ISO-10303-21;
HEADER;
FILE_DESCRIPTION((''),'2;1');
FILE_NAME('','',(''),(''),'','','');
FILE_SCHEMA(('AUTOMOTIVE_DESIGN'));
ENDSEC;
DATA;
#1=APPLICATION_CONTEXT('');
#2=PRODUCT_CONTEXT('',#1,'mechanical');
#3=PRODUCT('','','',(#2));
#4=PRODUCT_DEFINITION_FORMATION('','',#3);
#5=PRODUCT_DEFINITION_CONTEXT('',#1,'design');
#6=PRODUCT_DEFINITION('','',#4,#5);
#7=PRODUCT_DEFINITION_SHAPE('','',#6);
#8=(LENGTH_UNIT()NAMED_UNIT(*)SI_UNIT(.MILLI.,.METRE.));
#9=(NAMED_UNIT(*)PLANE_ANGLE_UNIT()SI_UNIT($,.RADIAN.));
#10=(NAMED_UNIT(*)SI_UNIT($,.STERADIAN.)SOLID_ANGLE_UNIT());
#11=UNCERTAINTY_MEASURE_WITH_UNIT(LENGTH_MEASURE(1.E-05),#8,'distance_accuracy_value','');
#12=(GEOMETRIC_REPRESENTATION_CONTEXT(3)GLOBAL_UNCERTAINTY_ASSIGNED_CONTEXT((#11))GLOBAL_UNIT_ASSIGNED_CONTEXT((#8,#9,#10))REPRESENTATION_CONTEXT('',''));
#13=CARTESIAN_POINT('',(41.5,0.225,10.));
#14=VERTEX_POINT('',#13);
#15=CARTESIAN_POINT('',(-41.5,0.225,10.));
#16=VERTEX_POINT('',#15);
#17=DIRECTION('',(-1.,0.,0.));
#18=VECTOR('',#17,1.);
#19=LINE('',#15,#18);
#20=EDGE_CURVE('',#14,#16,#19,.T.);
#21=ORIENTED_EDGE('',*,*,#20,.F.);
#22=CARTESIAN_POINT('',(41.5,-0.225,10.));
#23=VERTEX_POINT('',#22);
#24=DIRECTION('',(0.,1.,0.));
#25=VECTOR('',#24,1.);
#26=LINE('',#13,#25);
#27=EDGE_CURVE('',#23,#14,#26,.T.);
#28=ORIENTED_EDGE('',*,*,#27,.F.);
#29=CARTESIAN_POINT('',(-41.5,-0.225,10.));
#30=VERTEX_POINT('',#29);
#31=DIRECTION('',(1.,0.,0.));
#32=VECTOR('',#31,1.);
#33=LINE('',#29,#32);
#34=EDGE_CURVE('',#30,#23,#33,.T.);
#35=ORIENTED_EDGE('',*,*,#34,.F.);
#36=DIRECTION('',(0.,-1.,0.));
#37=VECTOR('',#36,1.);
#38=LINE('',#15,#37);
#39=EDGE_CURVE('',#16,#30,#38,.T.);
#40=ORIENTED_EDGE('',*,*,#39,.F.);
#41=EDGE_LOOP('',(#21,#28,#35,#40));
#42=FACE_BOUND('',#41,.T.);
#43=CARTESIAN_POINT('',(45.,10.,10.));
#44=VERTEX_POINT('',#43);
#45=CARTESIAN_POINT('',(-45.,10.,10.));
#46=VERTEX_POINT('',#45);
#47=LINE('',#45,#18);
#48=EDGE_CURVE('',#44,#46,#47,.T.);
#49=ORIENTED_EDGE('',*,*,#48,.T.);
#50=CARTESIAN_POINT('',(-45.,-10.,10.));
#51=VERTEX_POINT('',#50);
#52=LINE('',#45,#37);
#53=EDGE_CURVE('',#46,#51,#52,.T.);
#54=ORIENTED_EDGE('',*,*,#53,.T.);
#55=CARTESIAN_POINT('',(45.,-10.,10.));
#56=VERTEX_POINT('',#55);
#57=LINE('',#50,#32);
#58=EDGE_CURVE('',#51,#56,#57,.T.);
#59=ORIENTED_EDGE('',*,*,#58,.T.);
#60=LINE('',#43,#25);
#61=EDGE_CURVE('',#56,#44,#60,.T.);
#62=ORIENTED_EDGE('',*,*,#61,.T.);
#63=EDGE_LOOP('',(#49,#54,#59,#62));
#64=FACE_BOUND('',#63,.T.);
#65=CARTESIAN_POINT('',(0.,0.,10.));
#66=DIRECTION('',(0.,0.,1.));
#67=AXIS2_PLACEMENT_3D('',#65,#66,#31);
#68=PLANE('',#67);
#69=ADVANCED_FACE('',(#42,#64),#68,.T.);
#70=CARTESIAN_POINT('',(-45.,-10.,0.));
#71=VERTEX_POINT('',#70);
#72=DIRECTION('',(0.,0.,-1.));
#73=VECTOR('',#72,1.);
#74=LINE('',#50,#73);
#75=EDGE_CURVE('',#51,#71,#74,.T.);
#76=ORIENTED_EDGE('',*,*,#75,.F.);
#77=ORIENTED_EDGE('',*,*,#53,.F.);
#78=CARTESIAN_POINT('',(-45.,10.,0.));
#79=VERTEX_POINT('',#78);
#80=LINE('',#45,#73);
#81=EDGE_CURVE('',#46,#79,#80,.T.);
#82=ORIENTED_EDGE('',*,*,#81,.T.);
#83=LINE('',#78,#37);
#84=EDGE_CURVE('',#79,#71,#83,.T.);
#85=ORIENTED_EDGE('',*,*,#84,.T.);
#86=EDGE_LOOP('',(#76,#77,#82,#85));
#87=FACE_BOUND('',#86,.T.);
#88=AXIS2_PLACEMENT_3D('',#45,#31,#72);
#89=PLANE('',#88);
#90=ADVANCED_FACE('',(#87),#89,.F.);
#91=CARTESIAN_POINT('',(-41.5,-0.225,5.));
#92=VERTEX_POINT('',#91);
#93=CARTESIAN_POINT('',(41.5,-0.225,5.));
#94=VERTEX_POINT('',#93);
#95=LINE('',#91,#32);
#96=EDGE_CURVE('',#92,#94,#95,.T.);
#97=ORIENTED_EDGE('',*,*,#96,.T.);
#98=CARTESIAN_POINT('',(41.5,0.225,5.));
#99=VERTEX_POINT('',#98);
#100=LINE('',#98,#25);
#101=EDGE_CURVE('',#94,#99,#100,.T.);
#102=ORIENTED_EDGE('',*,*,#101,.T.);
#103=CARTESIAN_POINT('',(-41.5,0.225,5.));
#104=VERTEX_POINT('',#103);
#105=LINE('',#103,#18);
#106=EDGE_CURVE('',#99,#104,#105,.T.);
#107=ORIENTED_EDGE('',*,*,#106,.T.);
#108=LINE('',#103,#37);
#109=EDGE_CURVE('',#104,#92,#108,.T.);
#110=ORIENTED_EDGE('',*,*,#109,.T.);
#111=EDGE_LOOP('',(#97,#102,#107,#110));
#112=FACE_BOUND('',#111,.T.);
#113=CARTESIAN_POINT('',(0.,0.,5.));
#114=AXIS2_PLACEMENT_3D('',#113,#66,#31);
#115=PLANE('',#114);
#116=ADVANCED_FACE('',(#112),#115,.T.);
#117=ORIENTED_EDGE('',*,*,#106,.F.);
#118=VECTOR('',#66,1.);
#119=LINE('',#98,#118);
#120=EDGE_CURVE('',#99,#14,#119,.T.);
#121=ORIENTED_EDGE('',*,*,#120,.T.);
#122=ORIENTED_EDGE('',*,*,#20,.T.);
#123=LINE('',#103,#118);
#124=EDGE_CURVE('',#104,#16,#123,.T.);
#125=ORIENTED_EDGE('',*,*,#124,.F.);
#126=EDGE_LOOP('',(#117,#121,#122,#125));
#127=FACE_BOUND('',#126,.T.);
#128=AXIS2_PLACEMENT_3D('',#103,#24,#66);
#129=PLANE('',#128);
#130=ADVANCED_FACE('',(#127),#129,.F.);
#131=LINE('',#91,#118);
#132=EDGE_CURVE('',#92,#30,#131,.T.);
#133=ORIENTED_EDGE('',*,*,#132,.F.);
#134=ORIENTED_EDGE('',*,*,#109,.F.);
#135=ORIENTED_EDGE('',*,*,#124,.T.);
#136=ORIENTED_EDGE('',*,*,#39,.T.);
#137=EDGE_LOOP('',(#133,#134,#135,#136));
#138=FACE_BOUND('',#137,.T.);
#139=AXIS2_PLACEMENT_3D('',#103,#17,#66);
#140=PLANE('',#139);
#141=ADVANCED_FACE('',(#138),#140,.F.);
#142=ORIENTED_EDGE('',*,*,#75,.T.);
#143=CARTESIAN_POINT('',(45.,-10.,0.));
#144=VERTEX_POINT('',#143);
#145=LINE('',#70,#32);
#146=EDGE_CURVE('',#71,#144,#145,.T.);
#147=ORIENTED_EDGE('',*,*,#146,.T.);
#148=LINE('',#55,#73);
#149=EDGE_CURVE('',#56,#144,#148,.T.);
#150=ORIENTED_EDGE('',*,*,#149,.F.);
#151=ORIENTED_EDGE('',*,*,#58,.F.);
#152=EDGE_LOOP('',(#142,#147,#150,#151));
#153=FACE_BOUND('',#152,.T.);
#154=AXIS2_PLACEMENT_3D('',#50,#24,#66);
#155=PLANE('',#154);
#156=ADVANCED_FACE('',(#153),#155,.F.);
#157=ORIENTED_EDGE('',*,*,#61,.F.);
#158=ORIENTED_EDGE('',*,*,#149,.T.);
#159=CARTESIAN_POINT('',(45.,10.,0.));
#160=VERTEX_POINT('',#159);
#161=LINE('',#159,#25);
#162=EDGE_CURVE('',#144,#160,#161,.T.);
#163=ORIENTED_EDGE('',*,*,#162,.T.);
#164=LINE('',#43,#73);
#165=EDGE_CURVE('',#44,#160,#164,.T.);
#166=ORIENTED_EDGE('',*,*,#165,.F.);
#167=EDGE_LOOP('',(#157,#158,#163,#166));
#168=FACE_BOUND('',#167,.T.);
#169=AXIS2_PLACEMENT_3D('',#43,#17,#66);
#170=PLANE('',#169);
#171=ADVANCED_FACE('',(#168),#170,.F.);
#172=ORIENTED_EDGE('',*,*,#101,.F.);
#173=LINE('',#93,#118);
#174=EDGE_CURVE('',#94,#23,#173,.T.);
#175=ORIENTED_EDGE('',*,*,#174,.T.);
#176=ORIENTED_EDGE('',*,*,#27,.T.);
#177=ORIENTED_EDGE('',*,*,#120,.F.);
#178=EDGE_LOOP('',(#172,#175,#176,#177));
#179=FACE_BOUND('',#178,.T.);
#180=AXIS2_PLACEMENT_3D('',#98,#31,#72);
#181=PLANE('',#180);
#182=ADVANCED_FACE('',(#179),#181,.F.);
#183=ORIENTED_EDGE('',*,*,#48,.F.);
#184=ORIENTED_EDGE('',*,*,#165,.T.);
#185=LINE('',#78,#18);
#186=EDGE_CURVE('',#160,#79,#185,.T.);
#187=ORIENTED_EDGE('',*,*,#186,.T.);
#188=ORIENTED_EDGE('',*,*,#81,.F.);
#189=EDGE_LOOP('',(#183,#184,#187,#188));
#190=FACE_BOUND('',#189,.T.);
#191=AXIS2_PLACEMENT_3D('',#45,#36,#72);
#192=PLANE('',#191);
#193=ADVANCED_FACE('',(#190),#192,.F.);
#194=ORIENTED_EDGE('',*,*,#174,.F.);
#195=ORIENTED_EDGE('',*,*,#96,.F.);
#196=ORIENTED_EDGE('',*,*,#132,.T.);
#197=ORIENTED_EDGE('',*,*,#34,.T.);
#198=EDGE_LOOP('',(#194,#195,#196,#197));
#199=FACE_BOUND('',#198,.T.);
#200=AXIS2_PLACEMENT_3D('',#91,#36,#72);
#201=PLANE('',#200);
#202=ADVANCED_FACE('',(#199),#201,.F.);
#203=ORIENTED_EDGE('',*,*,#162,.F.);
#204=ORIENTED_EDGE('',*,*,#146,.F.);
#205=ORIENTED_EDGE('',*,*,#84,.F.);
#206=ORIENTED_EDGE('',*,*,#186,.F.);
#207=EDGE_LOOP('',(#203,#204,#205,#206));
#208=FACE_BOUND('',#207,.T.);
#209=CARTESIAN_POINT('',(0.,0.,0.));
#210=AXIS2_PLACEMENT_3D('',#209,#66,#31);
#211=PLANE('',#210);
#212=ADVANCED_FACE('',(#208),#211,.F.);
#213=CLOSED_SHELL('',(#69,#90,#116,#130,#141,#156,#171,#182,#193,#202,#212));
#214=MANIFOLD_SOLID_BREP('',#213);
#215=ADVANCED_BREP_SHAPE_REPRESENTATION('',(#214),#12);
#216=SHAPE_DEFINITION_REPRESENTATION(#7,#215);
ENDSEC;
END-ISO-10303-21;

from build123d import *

# Parameters (mm, degrees)
SKETCH1_W           = 90
SKETCH1_H           = 20
BOSS_EXTRUDE1_DEPTH = 10
SKETCH2_W           = 83
SKETCH2_H           = 0.45
CUT_EXTRUDE1_DEPTH  = 5


with BuildPart() as part:
    # Sketch1 → Boss-Extrude1 (new body)
    with BuildSketch(Plane.XY):
        Rectangle(SKETCH1_W, SKETCH1_H)
    extrude(amount=BOSS_EXTRUDE1_DEPTH)

    # Sketch2 → Cut-Extrude1 (cut)
    with BuildSketch(Plane.XY.offset(10)):
        Rectangle(SKETCH2_W, SKETCH2_H)
    extrude(amount=-CUT_EXTRUDE1_DEPTH, mode=Mode.SUBTRACT)


solid = part.part
